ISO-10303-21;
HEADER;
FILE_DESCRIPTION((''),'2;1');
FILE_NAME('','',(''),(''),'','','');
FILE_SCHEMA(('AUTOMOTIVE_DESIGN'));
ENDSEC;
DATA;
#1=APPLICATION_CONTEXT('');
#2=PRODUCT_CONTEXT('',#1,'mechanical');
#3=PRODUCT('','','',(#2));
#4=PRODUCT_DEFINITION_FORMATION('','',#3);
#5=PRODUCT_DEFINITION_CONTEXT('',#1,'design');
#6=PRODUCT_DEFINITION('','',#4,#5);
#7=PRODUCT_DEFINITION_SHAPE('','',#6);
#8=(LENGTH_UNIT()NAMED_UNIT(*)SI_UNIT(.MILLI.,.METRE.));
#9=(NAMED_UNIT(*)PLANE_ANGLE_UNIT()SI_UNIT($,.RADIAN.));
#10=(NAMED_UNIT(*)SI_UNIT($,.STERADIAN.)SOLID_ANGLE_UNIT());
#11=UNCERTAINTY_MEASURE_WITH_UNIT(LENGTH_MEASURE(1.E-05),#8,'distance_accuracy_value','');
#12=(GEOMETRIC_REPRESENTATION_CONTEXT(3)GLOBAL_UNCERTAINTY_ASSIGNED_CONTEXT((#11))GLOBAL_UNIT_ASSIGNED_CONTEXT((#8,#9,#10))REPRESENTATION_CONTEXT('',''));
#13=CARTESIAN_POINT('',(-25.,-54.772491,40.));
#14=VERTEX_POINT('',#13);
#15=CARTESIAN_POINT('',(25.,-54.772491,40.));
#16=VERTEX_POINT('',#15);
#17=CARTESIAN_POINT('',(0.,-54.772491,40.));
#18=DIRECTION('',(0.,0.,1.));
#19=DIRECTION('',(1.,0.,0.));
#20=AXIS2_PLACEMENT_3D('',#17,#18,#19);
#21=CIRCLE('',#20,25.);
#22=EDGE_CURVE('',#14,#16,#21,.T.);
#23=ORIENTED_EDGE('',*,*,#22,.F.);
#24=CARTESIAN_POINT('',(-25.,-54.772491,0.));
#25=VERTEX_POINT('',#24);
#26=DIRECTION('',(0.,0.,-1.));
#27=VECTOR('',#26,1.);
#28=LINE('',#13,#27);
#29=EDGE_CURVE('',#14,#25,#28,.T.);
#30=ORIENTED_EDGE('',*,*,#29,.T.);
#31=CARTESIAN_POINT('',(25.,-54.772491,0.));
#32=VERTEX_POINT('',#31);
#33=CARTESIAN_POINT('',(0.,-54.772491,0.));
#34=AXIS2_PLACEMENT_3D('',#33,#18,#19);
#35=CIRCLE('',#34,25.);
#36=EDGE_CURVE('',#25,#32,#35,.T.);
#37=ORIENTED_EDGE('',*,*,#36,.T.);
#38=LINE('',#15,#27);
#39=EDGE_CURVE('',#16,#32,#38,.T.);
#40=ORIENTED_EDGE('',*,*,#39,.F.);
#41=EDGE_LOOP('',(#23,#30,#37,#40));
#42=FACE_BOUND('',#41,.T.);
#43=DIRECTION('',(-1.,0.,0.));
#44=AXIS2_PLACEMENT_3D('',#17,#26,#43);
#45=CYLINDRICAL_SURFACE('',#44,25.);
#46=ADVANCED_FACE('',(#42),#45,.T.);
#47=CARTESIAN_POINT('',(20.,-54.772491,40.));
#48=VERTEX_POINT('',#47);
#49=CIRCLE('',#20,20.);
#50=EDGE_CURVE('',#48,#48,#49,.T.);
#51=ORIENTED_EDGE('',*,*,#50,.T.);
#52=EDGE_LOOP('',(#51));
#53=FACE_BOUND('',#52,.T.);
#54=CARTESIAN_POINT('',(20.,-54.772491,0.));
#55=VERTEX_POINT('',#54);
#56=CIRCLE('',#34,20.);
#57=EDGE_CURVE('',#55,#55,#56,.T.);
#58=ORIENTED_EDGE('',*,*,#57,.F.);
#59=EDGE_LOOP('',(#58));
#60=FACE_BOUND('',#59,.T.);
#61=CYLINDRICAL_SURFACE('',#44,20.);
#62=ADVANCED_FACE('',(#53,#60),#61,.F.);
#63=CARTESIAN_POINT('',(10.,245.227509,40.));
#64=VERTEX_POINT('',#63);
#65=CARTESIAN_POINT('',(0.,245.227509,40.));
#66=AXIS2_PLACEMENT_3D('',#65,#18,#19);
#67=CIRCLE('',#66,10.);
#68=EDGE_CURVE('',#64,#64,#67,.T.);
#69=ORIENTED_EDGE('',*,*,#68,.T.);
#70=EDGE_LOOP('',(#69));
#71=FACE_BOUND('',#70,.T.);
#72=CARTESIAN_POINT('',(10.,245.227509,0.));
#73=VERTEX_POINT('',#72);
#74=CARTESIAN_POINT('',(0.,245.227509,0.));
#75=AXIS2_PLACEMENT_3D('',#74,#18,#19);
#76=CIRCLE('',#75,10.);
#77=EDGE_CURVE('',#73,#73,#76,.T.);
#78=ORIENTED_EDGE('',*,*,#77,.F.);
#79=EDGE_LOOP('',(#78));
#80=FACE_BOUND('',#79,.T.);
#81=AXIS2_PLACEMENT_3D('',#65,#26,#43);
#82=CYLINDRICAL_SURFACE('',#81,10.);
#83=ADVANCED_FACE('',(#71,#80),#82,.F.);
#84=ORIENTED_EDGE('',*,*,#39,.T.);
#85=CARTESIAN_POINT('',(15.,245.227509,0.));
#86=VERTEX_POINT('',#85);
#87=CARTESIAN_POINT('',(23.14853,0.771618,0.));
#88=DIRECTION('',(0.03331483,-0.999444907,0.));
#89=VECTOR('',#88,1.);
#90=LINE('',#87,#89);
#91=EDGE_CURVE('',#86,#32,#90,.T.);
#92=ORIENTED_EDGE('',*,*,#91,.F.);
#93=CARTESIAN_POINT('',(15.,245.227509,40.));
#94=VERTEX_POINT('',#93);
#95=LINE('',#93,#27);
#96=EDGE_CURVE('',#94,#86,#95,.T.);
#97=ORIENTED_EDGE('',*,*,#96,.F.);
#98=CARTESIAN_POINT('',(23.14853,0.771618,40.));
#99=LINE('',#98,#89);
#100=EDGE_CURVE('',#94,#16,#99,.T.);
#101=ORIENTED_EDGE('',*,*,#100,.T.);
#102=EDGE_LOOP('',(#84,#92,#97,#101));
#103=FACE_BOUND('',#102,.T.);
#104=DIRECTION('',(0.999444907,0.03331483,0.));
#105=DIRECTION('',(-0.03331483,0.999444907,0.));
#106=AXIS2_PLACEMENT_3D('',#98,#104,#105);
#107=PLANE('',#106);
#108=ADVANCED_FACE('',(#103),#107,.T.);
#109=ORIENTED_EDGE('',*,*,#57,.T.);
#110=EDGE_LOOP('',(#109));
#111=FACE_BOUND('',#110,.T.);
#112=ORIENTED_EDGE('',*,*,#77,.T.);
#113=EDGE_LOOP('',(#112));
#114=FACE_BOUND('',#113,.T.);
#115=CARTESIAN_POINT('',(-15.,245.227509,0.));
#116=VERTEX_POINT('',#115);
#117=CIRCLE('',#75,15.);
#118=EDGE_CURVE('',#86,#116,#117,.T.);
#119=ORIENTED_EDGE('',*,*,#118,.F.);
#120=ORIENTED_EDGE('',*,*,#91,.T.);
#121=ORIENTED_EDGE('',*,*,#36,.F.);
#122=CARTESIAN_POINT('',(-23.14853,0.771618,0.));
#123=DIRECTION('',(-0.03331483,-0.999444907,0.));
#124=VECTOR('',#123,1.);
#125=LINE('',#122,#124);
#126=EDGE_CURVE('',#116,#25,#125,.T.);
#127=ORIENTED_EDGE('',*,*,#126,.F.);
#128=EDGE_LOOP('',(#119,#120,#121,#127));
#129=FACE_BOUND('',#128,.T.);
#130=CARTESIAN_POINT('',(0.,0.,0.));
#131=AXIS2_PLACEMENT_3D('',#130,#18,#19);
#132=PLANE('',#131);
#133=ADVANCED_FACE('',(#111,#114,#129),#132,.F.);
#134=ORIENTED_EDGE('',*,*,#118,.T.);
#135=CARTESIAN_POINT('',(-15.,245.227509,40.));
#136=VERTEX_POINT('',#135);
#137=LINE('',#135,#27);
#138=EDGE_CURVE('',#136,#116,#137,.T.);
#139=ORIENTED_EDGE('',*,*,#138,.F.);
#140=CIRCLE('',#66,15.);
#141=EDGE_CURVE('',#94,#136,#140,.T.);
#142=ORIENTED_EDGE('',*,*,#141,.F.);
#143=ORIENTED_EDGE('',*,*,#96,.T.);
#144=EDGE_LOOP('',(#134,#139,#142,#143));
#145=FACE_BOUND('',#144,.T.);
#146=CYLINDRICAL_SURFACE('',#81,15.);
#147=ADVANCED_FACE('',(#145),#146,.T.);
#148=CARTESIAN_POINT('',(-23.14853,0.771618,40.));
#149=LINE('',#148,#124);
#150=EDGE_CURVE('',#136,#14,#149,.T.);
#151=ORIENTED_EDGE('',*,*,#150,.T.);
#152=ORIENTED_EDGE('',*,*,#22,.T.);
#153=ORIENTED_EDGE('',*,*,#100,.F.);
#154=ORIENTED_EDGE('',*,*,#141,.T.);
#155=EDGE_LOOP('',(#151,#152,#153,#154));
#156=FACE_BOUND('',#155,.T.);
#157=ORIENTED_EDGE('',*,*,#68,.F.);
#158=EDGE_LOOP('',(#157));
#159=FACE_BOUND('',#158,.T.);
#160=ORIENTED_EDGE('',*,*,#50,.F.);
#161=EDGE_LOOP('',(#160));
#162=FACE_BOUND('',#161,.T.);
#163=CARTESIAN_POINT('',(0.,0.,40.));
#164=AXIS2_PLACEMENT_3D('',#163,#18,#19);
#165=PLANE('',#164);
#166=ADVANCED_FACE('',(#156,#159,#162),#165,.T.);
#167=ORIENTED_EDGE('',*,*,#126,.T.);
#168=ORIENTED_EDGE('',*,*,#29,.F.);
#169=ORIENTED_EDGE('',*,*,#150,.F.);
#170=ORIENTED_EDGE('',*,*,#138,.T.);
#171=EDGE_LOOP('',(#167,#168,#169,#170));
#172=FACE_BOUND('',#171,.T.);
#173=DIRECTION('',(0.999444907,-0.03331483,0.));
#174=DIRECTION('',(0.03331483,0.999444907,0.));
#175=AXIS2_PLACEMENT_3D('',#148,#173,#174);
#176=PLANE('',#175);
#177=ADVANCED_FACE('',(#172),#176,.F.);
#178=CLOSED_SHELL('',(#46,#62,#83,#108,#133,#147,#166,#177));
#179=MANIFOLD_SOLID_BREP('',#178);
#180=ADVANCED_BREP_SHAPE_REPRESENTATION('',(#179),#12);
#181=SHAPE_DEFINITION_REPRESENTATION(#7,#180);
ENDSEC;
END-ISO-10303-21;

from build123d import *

# Parameters (mm, degrees)
SKETCH1_R           = 20
SKETCH1_R_2         = 10
BOSS_EXTRUDE1_DEPTH = 40


with BuildPart() as part:
    # Sketch1 → Boss-Extrude1 (new body)
    with BuildSketch(Plane.XY):
        with BuildLine():
            Line((-15, 245.227509479), (-25, -54.772490521))
            ThreePointArc((-25, -54.772490521), (0, -79.772490521), (25, -54.772490521))
            Line((25, -54.772490521), (15, 245.227509479))
            ThreePointArc((15, 245.227509479), (0, 260.227509479), (-15, 245.227509479))
        make_face()
        with Locations((0, -54.772490521)):
            Circle(SKETCH1_R, mode=Mode.SUBTRACT)
        with Locations((0, 245.227509479)):
            Circle(SKETCH1_R_2, mode=Mode.SUBTRACT)
    extrude(amount=BOSS_EXTRUDE1_DEPTH)


solid = part.part
